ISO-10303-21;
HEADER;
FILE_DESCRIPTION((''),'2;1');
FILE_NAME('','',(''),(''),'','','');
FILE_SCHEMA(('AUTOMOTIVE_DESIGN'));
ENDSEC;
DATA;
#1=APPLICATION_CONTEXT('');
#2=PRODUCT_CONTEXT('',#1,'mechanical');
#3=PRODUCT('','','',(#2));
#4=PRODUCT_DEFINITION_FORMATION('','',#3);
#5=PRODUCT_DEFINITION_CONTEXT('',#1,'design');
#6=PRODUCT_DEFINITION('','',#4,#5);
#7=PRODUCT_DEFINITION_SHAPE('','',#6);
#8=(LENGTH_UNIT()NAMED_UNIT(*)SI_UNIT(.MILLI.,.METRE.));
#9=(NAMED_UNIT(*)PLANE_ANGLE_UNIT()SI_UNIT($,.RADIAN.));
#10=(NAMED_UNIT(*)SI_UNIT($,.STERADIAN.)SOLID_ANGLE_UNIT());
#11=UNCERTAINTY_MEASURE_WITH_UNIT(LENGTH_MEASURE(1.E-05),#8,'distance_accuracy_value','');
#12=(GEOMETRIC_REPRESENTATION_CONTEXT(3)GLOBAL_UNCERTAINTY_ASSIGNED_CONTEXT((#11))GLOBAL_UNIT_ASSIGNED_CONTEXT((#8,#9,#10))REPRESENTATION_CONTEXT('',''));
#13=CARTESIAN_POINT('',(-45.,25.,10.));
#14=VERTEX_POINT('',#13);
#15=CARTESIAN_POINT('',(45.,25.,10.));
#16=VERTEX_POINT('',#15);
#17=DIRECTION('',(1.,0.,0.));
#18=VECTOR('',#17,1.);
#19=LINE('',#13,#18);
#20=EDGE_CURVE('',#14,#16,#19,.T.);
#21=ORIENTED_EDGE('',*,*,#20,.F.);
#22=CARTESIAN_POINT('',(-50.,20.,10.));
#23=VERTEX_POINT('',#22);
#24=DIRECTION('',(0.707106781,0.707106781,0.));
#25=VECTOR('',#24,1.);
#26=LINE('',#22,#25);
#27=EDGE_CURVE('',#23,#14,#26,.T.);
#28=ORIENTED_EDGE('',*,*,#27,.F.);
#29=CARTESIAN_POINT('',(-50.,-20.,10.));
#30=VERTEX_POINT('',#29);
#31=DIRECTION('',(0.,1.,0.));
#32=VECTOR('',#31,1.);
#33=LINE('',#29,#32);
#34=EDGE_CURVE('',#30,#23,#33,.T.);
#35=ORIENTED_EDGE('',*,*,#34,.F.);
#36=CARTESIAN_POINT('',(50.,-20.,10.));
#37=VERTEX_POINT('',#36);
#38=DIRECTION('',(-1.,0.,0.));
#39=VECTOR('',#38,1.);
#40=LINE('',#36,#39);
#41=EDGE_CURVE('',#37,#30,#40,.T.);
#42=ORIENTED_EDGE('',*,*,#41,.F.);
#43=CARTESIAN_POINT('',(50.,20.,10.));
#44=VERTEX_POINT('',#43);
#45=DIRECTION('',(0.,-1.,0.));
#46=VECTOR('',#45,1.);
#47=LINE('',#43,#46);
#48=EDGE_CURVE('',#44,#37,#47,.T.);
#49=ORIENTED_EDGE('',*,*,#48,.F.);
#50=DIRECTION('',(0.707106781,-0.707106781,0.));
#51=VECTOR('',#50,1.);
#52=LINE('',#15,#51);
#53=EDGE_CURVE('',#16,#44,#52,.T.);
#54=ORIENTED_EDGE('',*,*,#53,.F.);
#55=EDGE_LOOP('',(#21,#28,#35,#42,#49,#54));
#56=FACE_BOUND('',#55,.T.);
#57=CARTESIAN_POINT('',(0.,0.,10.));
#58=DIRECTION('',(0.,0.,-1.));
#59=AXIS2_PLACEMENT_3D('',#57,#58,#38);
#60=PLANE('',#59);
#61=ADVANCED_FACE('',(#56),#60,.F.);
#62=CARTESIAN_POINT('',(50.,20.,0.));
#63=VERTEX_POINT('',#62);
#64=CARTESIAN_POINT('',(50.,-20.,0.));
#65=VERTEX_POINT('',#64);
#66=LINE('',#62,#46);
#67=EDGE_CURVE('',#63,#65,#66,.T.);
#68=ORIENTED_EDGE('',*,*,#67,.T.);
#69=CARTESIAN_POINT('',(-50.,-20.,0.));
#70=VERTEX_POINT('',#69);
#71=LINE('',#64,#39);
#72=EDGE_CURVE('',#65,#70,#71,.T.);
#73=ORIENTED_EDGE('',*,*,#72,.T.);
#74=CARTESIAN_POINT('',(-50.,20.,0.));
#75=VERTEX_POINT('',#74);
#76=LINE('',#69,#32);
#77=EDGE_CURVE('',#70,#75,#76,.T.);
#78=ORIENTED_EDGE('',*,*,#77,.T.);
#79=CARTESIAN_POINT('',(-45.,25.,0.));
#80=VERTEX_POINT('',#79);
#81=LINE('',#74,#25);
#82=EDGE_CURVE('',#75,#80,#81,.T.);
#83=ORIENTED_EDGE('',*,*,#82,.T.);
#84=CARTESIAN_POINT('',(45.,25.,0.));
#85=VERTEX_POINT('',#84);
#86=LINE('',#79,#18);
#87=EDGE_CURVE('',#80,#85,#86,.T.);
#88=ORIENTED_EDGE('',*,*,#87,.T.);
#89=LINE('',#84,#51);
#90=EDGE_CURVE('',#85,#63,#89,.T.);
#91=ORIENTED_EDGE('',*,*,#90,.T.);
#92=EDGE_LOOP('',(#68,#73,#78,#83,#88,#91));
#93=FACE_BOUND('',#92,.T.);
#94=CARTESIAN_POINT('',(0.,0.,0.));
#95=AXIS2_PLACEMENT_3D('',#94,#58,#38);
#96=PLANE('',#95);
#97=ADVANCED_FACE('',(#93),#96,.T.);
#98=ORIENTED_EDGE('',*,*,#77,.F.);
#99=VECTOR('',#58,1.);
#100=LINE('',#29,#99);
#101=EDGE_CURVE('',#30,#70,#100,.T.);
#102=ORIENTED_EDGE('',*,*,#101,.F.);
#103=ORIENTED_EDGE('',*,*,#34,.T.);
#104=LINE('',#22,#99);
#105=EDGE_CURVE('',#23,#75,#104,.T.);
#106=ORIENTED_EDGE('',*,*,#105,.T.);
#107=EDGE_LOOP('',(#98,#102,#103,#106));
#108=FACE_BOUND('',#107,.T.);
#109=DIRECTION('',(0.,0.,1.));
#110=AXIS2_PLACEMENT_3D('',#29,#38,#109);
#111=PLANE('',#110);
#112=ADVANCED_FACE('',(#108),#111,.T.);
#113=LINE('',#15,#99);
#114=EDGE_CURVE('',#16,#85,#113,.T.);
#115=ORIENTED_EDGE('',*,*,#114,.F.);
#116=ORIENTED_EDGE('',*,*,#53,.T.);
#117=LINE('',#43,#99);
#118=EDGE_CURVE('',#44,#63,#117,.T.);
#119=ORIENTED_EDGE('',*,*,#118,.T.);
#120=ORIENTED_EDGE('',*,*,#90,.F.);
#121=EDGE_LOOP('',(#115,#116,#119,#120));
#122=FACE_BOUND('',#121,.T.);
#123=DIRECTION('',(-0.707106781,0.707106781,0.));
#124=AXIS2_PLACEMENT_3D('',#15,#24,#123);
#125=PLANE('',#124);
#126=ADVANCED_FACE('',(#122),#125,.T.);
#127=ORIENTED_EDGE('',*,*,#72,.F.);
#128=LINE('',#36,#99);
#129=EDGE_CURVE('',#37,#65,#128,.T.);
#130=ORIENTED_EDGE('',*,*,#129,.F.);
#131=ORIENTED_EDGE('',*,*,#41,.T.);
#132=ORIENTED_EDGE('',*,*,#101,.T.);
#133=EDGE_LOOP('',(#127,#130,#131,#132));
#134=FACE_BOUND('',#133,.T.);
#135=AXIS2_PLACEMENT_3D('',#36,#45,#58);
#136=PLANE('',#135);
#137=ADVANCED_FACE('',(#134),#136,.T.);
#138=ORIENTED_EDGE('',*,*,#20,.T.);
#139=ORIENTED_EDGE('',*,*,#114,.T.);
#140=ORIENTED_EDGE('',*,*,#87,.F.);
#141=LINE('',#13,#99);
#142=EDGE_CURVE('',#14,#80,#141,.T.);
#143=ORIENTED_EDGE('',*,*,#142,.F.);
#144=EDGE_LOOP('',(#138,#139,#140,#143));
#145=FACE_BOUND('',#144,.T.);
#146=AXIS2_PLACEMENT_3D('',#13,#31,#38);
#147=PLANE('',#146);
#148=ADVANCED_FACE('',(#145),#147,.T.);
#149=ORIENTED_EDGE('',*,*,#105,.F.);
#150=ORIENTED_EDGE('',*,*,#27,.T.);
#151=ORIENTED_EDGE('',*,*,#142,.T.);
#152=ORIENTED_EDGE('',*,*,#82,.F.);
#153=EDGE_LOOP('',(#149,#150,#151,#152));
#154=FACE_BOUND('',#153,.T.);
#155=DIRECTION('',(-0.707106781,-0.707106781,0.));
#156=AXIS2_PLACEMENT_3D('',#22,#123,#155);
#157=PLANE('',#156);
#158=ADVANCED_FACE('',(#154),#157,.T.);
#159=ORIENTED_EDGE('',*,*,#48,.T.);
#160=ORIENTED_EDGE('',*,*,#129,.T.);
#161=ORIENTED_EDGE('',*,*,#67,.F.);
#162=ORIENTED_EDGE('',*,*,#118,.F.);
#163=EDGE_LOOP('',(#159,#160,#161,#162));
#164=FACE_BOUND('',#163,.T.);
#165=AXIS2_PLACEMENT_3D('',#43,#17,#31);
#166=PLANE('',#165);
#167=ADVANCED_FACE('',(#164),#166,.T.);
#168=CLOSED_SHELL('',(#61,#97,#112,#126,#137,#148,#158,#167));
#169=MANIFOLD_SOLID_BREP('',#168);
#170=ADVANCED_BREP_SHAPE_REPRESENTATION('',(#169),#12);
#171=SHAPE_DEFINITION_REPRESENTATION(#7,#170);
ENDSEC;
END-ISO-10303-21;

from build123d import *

# Parameters (mm, degrees)
EXTRUDE_1_DEPTH = 10


with BuildPart() as part:
    # 草图1 → 凸台-拉伸1 (new body)
    with BuildSketch(Plane(origin=(0, 0, 0), x_dir=(-1, 0, 0), z_dir=(0, 0, -1))):
        Polygon((50, -20), (50, 20), (45, 25), (-45, 25), (-50, 20), (-50, -20), align=None)
    extrude(amount=-EXTRUDE_1_DEPTH)


solid = part.part
